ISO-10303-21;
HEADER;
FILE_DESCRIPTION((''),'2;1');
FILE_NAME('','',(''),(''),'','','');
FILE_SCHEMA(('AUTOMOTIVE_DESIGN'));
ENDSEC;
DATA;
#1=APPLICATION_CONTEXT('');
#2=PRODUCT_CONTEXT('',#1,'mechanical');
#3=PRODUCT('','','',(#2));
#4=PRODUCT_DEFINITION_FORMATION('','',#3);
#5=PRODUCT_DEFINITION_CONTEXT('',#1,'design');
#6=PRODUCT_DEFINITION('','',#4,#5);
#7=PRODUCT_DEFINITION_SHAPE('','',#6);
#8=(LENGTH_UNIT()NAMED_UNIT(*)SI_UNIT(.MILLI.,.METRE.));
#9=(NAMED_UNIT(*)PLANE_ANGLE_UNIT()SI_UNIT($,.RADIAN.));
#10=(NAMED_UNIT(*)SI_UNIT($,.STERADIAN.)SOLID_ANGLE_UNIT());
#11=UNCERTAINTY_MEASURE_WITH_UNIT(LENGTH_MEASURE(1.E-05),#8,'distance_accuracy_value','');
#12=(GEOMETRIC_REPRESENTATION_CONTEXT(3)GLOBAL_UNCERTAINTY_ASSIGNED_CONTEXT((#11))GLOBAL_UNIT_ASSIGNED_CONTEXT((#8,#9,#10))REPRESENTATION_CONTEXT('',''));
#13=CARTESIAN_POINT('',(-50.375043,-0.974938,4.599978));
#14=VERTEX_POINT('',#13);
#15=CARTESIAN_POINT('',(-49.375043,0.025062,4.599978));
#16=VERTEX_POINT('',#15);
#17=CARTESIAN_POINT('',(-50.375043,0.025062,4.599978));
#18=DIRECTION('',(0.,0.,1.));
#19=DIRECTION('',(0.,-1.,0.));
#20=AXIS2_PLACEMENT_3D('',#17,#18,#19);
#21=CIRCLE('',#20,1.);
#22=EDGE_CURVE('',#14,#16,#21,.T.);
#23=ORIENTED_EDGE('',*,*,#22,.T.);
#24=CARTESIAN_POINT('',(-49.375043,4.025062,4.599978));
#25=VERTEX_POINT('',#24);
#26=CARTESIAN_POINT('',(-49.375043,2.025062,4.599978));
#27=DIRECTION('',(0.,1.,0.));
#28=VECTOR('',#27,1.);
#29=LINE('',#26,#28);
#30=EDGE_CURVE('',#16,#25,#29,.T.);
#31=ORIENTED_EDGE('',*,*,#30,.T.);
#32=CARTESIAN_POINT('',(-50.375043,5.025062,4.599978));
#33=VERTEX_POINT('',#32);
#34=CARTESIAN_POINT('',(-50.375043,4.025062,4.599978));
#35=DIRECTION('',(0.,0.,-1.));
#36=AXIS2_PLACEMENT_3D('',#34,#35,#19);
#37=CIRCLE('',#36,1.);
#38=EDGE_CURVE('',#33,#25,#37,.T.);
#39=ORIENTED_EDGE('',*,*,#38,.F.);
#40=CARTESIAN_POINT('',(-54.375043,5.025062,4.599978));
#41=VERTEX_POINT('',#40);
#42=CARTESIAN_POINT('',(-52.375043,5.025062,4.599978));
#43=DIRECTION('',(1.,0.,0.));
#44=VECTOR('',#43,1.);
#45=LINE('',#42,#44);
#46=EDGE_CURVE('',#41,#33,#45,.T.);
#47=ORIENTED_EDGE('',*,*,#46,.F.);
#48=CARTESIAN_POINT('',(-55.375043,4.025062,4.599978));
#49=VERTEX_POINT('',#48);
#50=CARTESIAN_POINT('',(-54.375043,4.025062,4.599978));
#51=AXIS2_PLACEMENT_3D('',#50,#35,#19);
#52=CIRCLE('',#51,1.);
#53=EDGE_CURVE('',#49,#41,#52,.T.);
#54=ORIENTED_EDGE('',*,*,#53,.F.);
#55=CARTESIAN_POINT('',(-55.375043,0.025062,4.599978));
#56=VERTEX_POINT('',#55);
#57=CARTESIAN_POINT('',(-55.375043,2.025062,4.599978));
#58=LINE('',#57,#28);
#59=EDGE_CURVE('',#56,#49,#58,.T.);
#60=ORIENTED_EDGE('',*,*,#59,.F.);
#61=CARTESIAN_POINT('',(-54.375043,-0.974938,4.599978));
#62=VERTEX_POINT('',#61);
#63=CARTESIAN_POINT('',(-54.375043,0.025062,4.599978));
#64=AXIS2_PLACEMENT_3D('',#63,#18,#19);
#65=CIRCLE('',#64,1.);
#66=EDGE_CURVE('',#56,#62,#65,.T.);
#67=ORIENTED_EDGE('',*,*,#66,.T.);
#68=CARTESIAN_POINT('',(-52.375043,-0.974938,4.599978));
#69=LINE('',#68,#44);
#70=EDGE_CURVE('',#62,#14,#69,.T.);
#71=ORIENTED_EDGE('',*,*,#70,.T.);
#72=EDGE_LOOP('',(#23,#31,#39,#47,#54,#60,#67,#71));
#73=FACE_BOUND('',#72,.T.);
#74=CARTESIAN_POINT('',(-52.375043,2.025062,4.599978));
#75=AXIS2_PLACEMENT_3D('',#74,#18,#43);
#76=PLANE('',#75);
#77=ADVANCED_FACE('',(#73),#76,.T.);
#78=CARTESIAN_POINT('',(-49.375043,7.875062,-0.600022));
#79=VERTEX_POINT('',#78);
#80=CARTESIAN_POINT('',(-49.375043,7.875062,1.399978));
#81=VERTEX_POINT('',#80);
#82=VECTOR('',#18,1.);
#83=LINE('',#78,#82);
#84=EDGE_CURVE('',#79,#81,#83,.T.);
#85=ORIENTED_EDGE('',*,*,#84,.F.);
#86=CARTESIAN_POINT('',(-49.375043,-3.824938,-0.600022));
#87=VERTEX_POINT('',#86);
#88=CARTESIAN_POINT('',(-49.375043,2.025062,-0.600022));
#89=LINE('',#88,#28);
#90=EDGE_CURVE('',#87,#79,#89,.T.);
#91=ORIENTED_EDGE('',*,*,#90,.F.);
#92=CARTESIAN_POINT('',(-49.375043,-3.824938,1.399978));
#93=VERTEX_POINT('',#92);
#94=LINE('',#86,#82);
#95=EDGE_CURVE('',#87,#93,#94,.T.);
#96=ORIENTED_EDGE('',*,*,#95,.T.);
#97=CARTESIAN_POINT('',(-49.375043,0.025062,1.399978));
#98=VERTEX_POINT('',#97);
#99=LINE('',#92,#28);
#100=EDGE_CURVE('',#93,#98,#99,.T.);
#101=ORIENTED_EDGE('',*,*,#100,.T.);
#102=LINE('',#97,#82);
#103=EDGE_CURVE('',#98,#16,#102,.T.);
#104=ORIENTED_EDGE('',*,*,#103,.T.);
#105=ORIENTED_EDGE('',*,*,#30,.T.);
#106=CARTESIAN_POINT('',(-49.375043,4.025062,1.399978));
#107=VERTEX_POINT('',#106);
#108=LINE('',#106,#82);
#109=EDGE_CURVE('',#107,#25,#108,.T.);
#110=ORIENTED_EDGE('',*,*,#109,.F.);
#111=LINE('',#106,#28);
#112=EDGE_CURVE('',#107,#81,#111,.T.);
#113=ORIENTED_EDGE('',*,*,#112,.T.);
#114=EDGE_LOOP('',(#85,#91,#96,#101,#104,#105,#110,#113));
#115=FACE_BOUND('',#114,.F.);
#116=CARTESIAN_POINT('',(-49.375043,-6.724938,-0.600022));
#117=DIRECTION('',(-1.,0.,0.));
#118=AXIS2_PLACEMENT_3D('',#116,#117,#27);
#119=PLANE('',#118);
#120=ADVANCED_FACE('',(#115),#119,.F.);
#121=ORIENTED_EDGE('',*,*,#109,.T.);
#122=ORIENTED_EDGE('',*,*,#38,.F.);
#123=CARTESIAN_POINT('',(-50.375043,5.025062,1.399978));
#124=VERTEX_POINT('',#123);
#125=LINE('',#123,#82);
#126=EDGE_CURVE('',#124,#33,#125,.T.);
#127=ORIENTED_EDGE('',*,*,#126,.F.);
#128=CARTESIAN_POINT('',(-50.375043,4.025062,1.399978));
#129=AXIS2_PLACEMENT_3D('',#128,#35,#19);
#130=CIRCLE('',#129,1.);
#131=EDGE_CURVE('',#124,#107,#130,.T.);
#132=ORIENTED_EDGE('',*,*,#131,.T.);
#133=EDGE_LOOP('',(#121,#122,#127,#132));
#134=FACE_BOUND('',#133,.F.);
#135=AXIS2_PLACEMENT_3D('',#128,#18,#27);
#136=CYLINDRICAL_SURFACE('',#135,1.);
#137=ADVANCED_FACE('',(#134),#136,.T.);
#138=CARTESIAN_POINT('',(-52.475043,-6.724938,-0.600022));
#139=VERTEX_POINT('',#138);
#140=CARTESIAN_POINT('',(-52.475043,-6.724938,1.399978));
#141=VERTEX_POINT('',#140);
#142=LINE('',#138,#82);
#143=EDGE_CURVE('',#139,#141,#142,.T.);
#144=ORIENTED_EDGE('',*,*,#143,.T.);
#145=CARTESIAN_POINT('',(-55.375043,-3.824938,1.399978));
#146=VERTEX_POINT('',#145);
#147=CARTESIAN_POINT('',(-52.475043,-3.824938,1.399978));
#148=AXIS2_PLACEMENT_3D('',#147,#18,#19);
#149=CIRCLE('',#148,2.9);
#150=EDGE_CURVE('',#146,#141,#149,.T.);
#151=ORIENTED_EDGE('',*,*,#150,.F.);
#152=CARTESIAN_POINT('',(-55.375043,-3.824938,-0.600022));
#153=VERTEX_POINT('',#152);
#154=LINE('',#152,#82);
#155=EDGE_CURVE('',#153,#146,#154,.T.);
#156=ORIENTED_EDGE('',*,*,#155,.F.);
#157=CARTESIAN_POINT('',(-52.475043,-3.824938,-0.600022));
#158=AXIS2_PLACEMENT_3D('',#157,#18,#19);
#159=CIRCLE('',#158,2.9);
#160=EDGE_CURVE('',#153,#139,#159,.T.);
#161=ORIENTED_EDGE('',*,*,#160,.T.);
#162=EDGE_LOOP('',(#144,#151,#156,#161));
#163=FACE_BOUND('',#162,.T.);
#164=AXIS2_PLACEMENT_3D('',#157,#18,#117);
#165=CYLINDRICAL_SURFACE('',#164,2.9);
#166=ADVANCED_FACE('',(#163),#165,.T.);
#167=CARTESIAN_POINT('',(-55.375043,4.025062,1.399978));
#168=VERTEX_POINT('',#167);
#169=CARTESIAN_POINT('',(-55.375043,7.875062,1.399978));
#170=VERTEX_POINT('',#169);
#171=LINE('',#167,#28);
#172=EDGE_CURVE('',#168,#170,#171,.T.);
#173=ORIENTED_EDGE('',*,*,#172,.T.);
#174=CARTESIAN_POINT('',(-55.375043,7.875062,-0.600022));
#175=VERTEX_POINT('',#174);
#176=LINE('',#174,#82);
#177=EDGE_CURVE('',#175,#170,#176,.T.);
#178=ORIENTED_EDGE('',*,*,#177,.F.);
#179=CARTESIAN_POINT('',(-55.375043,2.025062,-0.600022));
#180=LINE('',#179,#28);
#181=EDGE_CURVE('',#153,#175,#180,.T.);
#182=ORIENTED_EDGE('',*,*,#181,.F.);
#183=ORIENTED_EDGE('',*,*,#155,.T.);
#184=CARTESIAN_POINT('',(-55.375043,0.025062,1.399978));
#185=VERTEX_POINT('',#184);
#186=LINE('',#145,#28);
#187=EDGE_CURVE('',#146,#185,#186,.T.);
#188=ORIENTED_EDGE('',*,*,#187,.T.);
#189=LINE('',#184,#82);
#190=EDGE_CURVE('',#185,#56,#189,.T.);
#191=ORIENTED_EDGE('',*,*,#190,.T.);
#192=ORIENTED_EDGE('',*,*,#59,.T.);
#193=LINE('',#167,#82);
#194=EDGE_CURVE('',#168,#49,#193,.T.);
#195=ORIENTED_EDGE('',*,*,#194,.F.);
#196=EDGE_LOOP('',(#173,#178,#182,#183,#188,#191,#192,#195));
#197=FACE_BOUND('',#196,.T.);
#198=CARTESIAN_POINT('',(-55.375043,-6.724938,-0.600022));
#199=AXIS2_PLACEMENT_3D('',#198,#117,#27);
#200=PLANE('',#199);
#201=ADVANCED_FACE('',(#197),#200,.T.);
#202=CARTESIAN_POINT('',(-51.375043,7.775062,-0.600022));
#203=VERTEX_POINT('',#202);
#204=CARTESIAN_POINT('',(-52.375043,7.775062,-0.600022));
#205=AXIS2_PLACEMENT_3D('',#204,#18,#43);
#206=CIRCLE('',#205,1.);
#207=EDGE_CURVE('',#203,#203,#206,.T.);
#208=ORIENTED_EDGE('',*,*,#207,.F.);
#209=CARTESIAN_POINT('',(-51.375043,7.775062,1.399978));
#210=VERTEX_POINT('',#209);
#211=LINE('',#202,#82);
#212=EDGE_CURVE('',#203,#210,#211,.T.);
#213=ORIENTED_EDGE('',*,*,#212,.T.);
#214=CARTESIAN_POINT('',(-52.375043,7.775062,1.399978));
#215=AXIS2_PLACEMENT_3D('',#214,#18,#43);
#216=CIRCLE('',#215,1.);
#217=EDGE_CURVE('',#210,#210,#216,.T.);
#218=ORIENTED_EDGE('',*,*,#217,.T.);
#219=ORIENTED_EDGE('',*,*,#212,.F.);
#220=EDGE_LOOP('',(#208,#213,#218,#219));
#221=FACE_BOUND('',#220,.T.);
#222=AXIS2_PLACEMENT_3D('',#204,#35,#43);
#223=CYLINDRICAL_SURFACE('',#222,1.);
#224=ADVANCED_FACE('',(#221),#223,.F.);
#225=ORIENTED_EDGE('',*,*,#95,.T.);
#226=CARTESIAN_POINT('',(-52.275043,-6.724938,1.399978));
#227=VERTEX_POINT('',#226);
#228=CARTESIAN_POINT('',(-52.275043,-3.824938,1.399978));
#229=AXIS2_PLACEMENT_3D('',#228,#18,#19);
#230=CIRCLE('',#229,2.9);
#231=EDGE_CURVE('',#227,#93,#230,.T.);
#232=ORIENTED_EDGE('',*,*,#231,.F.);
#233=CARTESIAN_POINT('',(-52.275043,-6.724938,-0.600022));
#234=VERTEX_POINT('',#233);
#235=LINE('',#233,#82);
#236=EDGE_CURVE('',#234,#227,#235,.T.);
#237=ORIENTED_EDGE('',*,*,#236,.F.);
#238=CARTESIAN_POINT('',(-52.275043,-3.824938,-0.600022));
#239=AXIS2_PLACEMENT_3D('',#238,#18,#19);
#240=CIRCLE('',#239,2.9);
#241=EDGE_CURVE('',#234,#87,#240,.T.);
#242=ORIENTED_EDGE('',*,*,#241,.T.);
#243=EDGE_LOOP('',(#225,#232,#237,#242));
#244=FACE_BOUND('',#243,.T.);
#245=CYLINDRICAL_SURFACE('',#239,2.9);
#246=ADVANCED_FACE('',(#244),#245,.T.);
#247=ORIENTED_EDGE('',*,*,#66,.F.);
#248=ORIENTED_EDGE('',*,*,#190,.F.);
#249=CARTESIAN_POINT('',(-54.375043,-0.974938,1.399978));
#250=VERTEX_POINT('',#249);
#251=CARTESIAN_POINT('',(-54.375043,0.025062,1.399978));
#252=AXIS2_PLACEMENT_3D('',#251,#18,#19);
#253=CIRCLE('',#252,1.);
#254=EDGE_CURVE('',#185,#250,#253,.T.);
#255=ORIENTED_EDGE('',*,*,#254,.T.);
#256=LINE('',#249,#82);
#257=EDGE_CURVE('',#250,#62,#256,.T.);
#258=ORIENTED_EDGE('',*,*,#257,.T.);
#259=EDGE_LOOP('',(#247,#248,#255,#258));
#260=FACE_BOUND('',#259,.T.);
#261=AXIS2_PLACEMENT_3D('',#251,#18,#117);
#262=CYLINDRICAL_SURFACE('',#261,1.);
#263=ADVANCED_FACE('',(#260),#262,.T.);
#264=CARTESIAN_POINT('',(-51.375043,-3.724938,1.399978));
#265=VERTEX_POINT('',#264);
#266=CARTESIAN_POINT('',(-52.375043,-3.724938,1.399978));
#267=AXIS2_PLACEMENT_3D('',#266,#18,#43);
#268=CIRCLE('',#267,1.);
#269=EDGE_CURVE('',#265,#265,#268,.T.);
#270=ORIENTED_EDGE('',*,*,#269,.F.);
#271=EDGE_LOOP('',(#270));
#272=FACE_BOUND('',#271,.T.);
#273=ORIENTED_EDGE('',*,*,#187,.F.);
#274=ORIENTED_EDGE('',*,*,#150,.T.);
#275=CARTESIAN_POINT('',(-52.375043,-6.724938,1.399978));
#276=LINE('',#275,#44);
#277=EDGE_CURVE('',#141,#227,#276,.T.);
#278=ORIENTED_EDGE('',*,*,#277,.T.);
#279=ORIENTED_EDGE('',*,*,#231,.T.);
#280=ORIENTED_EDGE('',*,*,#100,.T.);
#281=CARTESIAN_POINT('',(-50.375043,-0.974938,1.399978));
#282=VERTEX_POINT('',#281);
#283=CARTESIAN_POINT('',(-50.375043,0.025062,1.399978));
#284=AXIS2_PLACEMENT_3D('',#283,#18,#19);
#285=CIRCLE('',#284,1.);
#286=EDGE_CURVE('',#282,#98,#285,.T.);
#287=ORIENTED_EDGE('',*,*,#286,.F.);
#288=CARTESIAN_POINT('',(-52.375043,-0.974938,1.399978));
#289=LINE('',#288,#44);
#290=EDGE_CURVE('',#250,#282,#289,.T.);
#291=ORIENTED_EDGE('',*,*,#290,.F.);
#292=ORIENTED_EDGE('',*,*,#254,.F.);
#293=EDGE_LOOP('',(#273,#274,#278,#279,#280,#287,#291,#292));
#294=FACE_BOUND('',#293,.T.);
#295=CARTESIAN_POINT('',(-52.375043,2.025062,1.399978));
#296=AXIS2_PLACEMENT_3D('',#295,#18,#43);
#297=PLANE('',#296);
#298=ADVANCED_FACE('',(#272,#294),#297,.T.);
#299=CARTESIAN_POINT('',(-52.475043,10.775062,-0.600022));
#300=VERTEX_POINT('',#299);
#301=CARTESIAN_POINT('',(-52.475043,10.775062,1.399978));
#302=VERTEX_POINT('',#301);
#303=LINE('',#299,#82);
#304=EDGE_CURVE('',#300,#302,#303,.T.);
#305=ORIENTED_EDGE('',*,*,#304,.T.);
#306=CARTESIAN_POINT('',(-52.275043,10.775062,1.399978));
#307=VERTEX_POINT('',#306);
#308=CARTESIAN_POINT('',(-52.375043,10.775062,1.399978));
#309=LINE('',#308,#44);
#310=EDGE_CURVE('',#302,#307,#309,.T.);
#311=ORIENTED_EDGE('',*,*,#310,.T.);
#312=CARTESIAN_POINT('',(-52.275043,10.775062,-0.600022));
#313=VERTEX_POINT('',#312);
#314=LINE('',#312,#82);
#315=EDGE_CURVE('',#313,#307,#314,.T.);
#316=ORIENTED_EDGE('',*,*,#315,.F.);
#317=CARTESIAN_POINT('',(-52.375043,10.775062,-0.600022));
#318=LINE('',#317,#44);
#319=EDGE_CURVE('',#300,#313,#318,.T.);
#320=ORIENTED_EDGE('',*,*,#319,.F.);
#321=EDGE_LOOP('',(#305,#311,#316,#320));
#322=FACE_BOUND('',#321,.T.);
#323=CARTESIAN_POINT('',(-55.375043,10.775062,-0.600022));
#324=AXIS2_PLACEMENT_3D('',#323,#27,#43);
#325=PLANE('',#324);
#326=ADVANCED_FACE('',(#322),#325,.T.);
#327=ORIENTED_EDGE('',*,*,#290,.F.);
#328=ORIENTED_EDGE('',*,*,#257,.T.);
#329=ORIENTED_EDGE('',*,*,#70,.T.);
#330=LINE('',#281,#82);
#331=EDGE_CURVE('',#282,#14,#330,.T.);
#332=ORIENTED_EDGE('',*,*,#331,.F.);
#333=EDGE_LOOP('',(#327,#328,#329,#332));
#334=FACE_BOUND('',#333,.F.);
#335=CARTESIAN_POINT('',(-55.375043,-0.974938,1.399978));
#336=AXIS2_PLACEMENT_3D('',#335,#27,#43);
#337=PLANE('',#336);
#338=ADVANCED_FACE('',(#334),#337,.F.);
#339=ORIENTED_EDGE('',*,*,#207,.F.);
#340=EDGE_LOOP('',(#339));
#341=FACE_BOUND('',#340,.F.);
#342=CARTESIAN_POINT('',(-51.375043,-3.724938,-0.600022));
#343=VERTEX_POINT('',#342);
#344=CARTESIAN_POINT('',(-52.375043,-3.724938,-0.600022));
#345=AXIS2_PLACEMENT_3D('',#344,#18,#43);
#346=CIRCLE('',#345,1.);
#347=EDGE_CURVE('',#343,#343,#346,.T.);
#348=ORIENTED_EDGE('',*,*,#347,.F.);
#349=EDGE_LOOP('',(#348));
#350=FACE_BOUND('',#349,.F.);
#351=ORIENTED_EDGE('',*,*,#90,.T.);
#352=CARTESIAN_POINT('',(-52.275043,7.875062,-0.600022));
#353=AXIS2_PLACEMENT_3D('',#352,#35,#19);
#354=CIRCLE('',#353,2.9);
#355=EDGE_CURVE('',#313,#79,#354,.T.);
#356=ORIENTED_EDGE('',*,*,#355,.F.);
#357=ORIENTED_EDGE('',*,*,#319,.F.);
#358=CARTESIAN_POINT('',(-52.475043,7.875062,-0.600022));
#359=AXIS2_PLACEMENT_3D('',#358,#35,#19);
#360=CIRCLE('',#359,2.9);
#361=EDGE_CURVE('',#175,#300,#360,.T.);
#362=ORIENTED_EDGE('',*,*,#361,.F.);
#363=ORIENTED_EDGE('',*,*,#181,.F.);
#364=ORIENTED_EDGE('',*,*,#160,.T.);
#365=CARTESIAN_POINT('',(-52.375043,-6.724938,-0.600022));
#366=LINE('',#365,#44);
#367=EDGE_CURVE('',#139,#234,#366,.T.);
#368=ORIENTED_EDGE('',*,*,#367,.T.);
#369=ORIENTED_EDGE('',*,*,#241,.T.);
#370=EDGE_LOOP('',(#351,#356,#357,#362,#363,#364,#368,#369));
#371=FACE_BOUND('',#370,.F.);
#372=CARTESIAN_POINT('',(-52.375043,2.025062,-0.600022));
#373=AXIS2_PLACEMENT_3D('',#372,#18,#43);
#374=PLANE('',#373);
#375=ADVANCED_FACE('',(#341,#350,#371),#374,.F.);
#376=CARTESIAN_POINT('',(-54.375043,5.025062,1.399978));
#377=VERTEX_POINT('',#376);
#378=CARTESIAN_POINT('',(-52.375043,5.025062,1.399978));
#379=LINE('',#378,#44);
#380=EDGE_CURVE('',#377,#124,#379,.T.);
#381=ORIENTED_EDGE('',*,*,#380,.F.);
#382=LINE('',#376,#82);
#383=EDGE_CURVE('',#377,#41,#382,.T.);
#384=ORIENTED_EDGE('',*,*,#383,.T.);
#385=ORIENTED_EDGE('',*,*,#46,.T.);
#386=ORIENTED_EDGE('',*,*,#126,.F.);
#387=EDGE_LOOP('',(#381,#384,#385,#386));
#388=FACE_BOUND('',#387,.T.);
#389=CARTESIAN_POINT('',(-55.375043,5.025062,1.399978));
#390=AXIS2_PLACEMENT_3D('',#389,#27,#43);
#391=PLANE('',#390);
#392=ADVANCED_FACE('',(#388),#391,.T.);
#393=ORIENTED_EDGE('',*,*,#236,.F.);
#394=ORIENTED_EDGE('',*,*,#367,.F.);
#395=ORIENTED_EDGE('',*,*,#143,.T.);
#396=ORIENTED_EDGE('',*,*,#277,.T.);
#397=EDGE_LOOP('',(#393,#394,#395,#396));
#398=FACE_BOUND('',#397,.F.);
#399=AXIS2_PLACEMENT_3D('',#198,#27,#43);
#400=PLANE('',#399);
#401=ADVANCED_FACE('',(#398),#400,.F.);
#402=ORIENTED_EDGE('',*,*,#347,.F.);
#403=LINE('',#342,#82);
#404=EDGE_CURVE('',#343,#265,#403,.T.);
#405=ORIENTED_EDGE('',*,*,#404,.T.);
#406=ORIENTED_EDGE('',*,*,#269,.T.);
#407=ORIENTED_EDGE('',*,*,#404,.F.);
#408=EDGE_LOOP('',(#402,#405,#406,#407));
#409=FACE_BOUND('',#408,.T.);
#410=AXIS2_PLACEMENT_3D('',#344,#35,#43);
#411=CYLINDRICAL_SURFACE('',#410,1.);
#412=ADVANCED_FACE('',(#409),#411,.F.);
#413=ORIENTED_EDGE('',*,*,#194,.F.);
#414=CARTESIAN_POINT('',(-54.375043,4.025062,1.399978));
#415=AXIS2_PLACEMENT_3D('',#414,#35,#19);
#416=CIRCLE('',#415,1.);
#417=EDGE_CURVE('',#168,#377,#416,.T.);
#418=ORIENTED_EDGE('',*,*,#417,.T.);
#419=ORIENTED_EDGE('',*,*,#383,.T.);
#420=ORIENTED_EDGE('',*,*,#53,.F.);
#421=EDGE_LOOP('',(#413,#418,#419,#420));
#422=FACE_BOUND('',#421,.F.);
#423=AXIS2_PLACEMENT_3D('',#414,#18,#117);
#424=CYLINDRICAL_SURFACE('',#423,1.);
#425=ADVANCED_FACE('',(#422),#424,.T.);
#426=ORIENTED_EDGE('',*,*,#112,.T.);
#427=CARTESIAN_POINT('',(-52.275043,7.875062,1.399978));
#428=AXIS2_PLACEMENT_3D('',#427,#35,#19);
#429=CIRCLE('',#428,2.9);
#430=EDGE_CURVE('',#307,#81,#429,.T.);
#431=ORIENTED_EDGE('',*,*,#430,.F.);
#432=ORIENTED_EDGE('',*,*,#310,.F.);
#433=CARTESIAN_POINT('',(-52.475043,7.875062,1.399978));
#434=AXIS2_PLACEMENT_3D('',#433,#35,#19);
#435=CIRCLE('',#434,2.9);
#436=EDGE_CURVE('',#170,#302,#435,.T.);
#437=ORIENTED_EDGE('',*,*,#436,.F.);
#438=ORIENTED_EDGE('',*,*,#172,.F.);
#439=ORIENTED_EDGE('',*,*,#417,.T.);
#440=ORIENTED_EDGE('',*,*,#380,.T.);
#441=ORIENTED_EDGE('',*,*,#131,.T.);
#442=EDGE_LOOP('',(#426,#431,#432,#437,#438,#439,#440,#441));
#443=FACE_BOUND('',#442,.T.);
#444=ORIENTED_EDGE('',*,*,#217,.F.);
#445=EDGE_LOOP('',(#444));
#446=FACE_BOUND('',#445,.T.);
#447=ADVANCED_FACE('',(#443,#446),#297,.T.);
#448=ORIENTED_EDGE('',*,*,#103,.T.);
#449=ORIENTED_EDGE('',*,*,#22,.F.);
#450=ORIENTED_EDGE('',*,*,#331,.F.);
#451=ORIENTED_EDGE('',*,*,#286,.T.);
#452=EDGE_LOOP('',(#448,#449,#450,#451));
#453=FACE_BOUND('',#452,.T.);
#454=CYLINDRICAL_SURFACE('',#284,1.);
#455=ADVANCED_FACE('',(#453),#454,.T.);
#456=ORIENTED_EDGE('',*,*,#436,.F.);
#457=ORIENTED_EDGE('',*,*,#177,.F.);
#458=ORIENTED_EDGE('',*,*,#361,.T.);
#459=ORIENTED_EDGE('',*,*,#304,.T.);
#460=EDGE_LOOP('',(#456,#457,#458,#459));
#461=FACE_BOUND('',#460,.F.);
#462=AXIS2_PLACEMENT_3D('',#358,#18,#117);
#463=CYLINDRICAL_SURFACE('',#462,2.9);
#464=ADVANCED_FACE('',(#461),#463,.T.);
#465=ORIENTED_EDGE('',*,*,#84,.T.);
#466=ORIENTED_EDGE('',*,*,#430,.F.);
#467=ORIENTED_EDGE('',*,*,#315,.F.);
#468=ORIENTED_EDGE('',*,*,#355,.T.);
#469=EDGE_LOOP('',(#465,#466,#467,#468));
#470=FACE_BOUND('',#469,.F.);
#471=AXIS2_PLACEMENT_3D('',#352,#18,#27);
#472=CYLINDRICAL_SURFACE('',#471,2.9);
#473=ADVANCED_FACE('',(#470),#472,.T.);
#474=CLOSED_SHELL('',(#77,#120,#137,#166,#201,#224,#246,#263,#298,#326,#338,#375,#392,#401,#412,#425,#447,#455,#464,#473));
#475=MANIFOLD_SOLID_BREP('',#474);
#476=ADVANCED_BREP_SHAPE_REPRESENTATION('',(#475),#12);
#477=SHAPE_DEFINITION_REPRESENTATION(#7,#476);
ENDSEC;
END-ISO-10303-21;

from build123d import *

# Parameters (mm, degrees)
SKETCH043_W  = 6
SKETCH043_H  = 17.5
SKETCH043_R  = 1
PAD017_DEPTH = 2
SKETCH044_W  = 6
SKETCH044_H  = 6
PAD018_DEPTH = 3.2
FILLET_R     = 2.9
FILLET001_R  = 1


with BuildPart() as part:
    # Sketch043 (on DatumPlane) → Pad017 (new body)
    with BuildSketch(Plane.XY.offset(-0.600022)):
        with Locations((-52.375043, 2.025062)):
            Rectangle(SKETCH043_W, SKETCH043_H)
        with Locations((-52.375043, 7.775062)):
            Circle(SKETCH043_R, mode=Mode.SUBTRACT)
        with Locations((-52.375043, -3.724938)):
            Circle(SKETCH043_R, mode=Mode.SUBTRACT)
    extrude(amount=PAD017_DEPTH)

    # Sketch044 (on Face8 of Pad017) → Pad018 (join)
    with BuildSketch(Plane.XY.offset(1.399978)):
        with Locations((-52.375043, 2.025062)):
            Rectangle(SKETCH044_W, SKETCH044_H)
    extrude(amount=PAD018_DEPTH)

    # Fillet
    fillet_edges = [part.edges().sort_by_distance(p)[0] for p in [
        (-49.375043, 10.775062, 0.399978),
        (-55.375043, 10.775062, 0.399978),
        (-49.375043, -6.724938, 0.399978),
        (-55.375043, -6.724938, 0.399978),
    ]]
    fillet(fillet_edges, radius=FILLET_R)

    # Fillet001
    fillet001_edges = [part.edges().sort_by_distance(p)[0] for p in [
        (-49.375043, -0.974938, 2.999978),
        (-55.375043, -0.974938, 2.999978),
        (-49.375043, 5.025062, 2.999978),
        (-55.375043, 5.025062, 2.999978),
    ]]
    fillet(fillet001_edges, radius=FILLET001_R)


solid = part.part
